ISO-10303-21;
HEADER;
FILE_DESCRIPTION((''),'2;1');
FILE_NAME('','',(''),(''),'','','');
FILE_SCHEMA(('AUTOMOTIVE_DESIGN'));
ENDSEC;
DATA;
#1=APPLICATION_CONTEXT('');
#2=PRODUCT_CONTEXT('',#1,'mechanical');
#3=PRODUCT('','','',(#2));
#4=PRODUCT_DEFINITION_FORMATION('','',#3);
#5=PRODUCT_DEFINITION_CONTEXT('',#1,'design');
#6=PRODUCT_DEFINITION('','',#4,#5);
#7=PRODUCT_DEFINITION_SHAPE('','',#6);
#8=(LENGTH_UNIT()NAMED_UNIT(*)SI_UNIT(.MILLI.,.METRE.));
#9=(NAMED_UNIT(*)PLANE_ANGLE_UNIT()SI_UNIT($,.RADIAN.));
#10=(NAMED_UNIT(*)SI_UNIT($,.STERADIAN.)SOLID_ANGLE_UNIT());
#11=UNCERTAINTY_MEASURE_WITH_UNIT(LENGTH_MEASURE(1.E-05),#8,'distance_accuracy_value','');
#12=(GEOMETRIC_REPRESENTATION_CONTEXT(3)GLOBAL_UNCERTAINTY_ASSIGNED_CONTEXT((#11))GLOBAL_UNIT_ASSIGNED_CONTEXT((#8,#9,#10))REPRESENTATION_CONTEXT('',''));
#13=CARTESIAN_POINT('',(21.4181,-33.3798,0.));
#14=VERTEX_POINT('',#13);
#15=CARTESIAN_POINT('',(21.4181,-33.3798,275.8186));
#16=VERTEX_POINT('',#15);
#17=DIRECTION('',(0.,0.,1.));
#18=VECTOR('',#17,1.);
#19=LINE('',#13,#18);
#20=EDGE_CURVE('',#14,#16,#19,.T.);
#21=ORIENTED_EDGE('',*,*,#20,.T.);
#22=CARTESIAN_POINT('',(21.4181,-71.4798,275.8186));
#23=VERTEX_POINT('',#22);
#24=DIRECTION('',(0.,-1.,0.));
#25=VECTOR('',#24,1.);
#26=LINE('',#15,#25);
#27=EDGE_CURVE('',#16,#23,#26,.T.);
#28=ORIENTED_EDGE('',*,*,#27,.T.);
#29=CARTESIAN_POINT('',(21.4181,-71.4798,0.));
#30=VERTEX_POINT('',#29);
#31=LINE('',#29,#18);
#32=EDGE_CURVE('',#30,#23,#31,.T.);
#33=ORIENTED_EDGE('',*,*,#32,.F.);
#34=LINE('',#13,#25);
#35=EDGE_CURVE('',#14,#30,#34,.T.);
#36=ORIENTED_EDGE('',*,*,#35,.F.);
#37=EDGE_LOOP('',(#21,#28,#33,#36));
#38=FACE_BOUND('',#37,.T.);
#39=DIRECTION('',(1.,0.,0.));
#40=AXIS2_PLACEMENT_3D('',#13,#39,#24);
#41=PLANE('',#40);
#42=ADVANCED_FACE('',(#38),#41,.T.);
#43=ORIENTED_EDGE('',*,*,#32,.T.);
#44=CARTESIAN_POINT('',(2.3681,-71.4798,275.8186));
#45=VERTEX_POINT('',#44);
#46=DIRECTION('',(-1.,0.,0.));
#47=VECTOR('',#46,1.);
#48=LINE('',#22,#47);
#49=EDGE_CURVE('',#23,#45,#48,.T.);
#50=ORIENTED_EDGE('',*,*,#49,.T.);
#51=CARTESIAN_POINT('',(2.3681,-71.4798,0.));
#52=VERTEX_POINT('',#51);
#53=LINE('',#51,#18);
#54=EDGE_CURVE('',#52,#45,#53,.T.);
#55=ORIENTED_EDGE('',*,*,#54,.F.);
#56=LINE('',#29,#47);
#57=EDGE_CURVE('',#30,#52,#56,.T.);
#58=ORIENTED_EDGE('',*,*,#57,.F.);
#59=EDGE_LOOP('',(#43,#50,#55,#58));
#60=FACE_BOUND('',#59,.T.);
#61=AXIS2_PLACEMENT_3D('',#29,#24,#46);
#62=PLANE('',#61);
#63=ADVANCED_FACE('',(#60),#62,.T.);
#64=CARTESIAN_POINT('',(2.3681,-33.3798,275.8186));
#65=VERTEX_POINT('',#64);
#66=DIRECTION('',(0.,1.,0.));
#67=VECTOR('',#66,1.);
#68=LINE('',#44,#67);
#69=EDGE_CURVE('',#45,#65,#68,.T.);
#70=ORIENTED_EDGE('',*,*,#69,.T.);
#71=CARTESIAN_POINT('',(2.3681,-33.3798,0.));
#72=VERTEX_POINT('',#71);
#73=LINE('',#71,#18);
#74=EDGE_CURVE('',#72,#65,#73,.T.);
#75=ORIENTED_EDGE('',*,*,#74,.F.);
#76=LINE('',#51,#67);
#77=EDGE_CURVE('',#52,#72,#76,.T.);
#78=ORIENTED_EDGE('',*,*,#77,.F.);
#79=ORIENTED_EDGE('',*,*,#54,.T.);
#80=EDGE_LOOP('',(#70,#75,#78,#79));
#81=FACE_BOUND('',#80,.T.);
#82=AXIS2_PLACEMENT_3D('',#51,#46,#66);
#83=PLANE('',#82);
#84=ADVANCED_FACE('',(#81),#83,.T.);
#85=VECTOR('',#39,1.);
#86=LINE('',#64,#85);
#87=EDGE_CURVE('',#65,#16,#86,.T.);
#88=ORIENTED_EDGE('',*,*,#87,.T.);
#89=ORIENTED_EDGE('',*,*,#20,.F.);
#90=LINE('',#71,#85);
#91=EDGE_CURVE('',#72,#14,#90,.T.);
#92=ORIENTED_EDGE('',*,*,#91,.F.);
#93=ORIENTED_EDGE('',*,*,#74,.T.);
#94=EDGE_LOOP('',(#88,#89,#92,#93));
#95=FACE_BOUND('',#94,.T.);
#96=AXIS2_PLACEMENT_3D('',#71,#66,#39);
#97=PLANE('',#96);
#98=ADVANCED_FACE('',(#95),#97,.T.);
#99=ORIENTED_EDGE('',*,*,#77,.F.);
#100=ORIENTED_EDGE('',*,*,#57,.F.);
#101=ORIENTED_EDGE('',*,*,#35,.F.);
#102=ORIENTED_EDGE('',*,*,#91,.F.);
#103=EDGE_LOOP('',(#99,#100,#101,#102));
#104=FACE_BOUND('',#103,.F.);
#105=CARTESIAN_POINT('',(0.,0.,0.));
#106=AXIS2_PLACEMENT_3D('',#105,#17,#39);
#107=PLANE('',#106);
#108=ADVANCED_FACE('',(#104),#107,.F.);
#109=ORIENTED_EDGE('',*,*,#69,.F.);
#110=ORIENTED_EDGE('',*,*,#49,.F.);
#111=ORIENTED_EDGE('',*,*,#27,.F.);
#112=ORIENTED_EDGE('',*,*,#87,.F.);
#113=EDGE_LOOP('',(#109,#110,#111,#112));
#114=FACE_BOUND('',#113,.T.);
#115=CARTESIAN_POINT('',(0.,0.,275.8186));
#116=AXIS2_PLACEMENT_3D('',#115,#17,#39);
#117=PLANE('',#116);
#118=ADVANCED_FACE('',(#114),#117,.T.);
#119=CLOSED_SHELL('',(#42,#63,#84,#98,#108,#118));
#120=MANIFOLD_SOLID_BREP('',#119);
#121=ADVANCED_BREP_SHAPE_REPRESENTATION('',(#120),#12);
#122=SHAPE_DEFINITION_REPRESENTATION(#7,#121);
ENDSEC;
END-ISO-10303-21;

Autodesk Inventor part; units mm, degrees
ref_plane "YZ Plane" through (0, 0, 0) normal (1, 0, 0) x (0, 1, 0)
ref_plane "XZ Plane" through (0, 0, 0) normal (0, 1, 0) x (-1, 0, 0)
ref_plane "XY Plane" through (0, 0, 0) normal (0, 0, 1) x (1, 0, 0)
sketch "Sketch1" plane through (0, 0, 0) normal (0, 0, 1) x (1, 0, 0)
  line L0 (2.3681, -33.3798) -> (21.4181, -33.3798)
  line L1 (21.4181, -33.3798) -> (21.4181, -71.4798)
  line L2 (21.4181, -71.4798) -> (2.3681, -71.4798)
  line L3 (2.3681, -71.4798) -> (2.3681, -33.3798)
  point P0 (0, 0)
  dimension "d0" = 19.05
  dimension "d1" = 38.1
extrude "Extrusion1" add sketch "Sketch1" along normal blind 275.8186
properties part number "RailMount1x2_NERDS"
